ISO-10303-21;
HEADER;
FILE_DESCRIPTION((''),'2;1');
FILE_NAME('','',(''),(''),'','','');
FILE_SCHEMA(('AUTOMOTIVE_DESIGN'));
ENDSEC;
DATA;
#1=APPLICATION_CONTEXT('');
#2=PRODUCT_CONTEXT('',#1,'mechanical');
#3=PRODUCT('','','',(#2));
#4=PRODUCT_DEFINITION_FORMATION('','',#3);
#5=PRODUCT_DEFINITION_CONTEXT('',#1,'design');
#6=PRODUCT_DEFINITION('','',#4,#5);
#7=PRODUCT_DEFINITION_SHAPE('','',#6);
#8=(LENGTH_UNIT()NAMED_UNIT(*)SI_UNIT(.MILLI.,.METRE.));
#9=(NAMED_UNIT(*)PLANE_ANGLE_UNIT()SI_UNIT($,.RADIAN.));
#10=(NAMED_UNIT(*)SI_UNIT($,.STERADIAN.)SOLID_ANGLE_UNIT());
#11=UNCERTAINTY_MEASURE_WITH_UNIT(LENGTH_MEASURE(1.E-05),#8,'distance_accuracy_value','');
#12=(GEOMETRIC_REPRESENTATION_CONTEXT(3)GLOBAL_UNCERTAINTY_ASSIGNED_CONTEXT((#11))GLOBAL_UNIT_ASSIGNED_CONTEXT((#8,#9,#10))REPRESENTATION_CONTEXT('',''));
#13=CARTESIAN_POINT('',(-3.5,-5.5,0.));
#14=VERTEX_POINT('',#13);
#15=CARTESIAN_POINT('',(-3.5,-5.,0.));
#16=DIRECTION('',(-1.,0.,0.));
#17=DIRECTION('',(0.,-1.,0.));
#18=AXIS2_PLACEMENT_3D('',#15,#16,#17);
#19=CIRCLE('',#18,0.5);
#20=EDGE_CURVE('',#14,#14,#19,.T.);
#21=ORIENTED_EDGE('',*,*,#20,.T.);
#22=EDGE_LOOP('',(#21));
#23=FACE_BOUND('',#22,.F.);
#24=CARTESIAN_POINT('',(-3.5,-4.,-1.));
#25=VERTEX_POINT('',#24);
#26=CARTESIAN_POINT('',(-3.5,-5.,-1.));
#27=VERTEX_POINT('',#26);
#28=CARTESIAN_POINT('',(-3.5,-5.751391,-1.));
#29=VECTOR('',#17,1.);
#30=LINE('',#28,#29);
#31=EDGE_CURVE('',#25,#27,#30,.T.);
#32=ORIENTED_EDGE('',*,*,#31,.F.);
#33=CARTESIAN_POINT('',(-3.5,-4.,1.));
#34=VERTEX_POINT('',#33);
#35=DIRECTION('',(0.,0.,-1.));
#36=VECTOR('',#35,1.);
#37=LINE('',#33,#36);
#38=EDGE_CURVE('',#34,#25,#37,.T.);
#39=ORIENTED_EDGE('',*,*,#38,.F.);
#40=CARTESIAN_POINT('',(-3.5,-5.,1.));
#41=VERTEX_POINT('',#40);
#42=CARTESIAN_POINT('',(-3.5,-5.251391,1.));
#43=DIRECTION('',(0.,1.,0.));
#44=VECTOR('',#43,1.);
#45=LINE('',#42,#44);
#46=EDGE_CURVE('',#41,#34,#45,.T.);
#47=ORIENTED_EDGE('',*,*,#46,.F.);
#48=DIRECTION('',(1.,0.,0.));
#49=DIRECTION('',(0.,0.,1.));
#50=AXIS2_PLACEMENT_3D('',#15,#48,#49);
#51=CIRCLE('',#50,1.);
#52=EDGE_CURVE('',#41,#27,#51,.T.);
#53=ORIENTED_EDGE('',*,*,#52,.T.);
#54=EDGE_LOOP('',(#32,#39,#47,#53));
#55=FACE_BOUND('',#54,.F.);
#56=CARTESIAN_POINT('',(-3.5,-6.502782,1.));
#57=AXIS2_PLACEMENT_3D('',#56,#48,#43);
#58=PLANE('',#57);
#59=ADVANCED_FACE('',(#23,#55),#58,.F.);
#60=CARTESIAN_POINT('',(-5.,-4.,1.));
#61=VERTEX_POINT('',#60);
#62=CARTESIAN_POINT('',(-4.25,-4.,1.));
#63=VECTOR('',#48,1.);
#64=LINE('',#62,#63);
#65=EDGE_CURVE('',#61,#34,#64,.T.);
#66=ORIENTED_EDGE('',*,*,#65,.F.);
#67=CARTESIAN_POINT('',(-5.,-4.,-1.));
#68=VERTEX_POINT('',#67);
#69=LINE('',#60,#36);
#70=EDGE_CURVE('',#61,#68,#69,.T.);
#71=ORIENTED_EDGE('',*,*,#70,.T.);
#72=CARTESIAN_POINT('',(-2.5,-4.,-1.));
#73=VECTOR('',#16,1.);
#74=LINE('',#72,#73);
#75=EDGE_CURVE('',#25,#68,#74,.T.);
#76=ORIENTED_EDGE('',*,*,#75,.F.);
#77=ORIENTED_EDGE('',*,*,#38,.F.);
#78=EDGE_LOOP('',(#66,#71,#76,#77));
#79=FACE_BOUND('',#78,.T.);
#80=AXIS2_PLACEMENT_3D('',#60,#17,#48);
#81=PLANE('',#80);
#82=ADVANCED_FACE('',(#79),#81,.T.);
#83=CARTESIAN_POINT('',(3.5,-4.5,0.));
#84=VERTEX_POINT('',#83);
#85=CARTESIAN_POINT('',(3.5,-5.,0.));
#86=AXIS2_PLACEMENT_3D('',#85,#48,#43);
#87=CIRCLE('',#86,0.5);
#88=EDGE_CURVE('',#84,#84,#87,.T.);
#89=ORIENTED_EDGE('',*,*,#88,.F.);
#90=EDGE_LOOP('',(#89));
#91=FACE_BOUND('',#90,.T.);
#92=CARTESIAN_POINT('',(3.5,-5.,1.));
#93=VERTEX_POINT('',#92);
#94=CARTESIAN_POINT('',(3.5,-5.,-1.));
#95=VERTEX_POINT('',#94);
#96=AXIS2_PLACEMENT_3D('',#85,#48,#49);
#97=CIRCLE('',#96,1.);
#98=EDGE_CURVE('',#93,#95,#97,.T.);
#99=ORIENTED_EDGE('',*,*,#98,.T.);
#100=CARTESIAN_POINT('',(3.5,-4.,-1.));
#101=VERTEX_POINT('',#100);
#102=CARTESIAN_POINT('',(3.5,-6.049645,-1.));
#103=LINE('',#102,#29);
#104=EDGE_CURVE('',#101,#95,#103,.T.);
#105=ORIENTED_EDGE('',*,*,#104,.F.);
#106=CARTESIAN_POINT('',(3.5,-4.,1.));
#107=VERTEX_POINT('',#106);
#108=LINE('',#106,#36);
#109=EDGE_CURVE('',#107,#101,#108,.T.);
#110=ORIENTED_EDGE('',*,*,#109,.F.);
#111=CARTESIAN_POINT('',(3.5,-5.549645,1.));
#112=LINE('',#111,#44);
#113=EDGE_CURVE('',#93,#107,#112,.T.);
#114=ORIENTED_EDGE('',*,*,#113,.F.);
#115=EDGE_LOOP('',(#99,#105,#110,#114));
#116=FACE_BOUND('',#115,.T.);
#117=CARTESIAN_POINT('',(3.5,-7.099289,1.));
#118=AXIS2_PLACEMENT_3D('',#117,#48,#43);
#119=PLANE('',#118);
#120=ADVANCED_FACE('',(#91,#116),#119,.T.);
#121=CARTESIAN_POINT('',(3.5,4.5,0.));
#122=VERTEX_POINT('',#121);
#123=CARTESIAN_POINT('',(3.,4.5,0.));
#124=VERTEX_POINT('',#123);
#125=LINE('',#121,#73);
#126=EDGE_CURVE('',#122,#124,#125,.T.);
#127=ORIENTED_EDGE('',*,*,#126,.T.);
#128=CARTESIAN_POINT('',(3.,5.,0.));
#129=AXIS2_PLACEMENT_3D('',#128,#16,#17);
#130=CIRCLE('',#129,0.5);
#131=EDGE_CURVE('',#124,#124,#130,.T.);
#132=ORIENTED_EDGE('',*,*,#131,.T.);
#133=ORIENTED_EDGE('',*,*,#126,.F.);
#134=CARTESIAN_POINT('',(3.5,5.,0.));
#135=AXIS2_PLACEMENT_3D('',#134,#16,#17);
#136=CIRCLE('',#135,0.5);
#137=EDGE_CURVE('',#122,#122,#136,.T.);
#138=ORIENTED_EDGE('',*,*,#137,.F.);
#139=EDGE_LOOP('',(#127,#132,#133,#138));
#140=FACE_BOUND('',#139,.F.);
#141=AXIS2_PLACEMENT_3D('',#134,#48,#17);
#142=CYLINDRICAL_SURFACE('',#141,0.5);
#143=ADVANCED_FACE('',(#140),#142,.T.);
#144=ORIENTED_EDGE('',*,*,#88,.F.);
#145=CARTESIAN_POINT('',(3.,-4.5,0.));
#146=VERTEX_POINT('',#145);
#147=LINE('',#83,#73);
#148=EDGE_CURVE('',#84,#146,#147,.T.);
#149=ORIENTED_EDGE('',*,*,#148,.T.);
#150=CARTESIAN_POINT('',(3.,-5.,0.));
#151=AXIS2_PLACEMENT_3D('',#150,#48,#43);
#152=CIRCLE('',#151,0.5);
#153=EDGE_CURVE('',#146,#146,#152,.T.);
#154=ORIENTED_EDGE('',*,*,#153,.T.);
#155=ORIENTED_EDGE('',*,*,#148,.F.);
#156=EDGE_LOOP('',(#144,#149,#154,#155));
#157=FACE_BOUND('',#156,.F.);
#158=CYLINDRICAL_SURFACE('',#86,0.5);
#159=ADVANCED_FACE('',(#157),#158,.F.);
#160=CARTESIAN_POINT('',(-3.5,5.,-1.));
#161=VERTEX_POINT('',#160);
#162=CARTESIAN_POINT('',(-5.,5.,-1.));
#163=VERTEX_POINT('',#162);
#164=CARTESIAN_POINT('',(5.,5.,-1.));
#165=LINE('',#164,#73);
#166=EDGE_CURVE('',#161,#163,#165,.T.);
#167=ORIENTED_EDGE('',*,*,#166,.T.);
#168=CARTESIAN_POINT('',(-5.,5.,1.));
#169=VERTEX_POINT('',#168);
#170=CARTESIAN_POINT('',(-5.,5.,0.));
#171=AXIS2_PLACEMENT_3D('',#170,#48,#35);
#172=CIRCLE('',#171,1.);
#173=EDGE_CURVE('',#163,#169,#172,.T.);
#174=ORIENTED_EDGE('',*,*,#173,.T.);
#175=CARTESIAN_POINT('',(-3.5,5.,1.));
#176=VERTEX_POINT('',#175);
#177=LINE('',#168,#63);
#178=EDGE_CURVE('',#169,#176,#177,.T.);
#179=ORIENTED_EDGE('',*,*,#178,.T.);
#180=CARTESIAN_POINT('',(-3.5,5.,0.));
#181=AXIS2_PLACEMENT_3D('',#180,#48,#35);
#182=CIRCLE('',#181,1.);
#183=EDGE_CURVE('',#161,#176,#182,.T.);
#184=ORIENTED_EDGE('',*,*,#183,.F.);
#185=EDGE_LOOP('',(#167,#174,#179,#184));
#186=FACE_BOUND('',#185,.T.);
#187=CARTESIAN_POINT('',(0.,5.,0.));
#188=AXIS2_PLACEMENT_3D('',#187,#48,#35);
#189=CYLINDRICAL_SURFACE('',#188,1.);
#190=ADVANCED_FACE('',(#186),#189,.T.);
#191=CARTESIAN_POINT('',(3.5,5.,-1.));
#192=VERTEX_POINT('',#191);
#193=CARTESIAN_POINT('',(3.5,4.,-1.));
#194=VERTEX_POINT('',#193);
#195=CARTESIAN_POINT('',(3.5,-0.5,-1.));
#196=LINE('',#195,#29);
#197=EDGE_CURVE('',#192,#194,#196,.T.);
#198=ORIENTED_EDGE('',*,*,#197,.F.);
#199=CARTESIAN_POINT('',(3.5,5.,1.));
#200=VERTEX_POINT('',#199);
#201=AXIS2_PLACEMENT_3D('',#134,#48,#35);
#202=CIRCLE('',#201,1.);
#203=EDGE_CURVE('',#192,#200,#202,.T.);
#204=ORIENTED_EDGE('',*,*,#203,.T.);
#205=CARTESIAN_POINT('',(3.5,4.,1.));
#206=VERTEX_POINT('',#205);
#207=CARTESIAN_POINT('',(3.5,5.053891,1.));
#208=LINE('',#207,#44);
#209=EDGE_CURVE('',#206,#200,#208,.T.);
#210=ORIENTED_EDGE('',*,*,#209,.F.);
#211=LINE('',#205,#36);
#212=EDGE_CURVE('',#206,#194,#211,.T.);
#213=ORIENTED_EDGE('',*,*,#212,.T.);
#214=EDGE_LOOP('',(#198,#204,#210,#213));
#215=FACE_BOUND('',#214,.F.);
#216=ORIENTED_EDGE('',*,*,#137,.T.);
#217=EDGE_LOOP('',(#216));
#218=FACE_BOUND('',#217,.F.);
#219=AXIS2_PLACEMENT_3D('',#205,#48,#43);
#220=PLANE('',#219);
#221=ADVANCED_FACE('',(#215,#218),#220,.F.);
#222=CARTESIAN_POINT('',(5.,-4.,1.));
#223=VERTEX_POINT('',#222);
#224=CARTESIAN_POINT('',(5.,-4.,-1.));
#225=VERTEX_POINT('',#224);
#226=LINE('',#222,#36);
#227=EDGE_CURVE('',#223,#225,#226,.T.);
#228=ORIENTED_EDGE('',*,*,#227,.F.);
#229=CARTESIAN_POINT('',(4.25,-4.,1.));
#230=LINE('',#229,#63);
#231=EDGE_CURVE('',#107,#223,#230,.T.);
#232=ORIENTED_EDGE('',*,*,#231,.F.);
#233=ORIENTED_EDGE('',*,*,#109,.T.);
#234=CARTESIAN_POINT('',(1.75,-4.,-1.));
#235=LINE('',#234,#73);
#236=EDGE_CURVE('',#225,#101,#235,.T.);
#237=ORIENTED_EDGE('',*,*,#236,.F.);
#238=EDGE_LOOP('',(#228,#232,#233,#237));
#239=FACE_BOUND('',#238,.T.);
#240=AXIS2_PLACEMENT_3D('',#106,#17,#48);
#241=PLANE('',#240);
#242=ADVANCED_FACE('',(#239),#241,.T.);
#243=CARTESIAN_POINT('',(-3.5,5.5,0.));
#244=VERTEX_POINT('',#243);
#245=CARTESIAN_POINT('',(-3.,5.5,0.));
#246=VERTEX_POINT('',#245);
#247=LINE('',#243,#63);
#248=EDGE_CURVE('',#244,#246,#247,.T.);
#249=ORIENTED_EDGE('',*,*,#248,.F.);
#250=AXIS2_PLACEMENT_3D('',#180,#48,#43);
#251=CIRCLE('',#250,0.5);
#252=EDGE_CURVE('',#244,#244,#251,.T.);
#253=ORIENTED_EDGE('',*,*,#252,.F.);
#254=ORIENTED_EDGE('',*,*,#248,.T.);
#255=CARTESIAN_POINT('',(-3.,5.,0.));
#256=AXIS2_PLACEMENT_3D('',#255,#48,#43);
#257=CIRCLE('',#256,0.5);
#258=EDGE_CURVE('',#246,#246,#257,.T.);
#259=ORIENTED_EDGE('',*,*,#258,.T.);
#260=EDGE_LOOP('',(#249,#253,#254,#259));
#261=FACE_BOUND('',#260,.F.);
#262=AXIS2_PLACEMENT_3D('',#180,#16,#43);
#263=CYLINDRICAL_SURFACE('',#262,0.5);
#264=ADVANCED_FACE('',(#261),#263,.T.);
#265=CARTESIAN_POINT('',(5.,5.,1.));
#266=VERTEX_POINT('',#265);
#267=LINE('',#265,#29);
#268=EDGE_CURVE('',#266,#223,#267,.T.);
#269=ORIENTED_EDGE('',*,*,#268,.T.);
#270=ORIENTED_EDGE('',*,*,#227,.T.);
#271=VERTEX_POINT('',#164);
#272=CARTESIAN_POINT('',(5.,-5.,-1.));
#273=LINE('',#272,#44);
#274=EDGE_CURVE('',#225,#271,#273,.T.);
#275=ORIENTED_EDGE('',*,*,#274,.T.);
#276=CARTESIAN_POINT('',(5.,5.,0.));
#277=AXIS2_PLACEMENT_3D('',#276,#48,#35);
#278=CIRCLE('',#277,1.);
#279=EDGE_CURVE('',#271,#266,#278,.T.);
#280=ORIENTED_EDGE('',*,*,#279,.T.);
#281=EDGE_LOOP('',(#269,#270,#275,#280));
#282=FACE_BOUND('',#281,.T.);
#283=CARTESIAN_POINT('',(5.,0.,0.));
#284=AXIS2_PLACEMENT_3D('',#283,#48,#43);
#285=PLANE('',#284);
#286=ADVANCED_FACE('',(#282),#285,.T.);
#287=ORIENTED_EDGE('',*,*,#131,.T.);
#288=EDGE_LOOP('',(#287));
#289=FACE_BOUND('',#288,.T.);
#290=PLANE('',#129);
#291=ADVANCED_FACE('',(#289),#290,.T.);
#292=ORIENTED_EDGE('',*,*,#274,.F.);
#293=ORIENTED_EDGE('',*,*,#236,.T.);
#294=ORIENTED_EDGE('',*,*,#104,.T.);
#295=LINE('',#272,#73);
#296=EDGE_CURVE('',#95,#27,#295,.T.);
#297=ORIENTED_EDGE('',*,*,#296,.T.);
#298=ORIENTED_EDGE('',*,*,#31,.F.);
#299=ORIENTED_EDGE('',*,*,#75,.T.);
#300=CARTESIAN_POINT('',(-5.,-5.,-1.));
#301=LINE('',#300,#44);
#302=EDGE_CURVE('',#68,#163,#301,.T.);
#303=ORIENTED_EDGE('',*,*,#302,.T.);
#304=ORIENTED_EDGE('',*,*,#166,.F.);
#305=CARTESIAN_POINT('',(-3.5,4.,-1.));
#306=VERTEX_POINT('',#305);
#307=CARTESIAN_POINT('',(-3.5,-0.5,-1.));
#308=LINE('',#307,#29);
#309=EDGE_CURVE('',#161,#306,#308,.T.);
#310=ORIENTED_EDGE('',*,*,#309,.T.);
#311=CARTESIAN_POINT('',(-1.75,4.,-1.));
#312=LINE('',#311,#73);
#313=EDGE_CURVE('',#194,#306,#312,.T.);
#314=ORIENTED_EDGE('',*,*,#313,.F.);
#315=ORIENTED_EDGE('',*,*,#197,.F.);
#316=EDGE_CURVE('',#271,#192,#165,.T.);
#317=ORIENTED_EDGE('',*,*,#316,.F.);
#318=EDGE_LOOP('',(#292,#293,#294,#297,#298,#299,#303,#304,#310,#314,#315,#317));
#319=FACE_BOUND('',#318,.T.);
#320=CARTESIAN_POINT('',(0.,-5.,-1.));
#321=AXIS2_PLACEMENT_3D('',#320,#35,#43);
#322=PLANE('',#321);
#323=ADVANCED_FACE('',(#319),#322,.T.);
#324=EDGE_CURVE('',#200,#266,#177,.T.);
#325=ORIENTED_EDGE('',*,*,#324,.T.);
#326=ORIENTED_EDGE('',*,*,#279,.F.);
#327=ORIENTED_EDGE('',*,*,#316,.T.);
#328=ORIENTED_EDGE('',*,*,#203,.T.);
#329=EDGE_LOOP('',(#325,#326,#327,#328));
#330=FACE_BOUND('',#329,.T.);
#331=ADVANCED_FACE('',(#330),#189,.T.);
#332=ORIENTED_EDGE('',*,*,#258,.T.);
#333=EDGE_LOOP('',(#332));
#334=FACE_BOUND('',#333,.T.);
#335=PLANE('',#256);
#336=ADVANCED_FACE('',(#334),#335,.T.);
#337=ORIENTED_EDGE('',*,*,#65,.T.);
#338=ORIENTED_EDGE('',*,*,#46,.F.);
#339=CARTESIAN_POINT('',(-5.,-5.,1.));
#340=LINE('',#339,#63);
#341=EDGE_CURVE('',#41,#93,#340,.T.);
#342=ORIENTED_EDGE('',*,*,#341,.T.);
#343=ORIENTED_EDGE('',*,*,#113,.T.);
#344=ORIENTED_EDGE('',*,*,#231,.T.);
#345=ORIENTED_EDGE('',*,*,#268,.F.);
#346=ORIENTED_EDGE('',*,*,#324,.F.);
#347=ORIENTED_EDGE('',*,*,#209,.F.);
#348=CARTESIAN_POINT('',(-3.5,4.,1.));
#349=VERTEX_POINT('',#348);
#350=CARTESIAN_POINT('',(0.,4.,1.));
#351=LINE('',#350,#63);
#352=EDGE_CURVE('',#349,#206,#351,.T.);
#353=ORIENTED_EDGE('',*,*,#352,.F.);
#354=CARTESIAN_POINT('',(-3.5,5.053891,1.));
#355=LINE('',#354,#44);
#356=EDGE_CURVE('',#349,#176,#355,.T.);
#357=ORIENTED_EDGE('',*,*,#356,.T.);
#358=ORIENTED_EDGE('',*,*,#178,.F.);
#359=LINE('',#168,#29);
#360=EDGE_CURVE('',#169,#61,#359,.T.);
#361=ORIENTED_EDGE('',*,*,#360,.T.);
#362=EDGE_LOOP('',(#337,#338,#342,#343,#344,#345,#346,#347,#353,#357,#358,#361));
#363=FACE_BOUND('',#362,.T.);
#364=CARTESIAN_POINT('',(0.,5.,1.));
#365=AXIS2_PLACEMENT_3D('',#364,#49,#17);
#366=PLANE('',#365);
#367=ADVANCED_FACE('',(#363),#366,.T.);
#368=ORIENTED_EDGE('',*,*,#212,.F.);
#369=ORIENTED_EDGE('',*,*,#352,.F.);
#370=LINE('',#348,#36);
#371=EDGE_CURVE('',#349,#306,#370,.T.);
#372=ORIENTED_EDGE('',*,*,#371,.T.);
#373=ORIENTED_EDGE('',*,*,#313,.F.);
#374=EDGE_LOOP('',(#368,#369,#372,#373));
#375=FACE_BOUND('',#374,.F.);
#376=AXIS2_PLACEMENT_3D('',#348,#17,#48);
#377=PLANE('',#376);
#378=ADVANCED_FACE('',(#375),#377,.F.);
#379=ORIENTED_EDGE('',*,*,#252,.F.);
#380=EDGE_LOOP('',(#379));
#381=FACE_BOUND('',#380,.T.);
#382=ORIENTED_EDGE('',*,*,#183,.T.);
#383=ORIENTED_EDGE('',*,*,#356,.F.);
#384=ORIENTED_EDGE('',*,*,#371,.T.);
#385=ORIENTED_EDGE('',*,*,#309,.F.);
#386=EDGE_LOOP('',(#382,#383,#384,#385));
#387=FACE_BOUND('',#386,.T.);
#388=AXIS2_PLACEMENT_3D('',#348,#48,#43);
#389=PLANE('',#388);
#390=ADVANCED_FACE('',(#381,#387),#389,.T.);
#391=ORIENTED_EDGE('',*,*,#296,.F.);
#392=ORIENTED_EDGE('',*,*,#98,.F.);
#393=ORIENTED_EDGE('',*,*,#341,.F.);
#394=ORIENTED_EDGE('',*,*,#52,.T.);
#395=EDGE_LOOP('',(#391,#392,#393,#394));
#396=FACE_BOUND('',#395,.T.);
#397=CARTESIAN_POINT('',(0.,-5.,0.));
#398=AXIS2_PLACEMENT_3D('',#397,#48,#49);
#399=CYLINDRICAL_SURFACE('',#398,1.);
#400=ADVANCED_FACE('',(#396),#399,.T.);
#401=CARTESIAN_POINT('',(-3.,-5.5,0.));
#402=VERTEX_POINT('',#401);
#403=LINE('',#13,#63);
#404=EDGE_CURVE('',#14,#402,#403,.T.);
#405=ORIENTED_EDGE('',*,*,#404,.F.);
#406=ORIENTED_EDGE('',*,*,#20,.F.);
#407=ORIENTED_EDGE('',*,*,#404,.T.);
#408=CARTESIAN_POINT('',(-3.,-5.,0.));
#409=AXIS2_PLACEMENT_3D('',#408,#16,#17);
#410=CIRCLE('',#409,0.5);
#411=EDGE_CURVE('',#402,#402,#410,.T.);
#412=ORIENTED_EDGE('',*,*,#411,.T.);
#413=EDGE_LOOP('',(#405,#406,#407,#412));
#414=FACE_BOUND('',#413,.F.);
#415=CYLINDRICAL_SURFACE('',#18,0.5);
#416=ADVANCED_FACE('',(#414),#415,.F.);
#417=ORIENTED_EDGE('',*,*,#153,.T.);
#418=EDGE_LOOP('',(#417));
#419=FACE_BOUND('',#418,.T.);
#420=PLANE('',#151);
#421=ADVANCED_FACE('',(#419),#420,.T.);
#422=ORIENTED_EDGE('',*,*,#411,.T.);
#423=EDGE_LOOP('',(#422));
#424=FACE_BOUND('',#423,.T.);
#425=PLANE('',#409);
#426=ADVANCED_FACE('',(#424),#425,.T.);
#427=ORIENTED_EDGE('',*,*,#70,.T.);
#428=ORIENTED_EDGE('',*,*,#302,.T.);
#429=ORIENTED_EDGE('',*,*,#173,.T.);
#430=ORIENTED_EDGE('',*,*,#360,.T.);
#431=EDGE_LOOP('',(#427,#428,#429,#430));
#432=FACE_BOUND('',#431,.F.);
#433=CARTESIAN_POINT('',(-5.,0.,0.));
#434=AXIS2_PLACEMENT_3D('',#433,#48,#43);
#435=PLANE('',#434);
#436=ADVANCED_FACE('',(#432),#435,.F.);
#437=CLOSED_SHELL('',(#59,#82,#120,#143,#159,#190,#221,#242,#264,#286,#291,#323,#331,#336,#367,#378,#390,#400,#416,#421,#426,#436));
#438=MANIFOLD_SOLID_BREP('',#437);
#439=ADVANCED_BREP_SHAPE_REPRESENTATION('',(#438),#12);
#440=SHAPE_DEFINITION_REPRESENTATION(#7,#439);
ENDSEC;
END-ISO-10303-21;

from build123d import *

# Parameters (mm, degrees)
F1_DEPTH  = 5
F2_W      = 7
F2_H      = 2.1077826433
F2_W_2    = 1.5
F2_H_2    = 2.502781529
F2_H_3    = 3.0992894471
F3_DEPTH  = 5
F4_R      = 0.5
F5_DEPTH  = 0.5
F6_R      = 0.5
F7_DEPTH  = 0.5
F8_R      = 0.5
F9_DEPTH  = 0.5
F10_R     = 0.5
F11_DEPTH = 0.5


with BuildPart() as f1:
    # F0 (on Right) → F1 (new body, symmetric)
    with BuildSketch(Plane.YZ):
        with BuildLine():
            ThreePointArc((5, -1), (6, 0), (5, 1))
            Line((5, 1), (-5, 1))
            ThreePointArc((-5, 1), (-6, 0), (-5, -1))
            Line((-5, -1), (5, -1))
        make_face()
    extrude(amount=F1_DEPTH, both=True)

    # F2 (on face) → F3 (cut)
    with BuildSketch(Plane.XY.offset(1)):
        with Locations((0, 5.0538913216)):
            Rectangle(F2_W, F2_H)
        with Locations((-4.25, -5.2513907645)):
            Rectangle(F2_W_2, F2_H_2)
        with Locations((4.25, -5.5496447235)):
            Rectangle(F2_W_2, F2_H_3)
    extrude(amount=-F3_DEPTH, mode=Mode.SUBTRACT)

    # F4 (on face) → F5 (cut)
    with BuildSketch(Plane(origin=(-3.5, 0, 0), x_dir=(0, -1, 0), z_dir=(-1, 0, 0))):
        with Locations((5, 0)):
            Circle(F4_R)
    extrude(amount=-F5_DEPTH, mode=Mode.SUBTRACT)

    # F6 (on face) → F7 (cut)
    with BuildSketch(Plane.YZ.offset(3.5)):
        with Locations((-5, 0)):
            Circle(F6_R)
    extrude(amount=-F7_DEPTH, mode=Mode.SUBTRACT)

    # F8 (on face) → F9 (join)
    with BuildSketch(Plane.YZ.offset(-3.5)):
        with Locations((5, 0)):
            Circle(F8_R)
    extrude(amount=F9_DEPTH)

    # F10 (on face) → F11 (join)
    with BuildSketch(Plane(origin=(3.5, 0, 0), x_dir=(0, -1, 0), z_dir=(-1, 0, 0))):
        with Locations((-5, 0)):
            Circle(F10_R)
    extrude(amount=F11_DEPTH)


solid = f1.part
